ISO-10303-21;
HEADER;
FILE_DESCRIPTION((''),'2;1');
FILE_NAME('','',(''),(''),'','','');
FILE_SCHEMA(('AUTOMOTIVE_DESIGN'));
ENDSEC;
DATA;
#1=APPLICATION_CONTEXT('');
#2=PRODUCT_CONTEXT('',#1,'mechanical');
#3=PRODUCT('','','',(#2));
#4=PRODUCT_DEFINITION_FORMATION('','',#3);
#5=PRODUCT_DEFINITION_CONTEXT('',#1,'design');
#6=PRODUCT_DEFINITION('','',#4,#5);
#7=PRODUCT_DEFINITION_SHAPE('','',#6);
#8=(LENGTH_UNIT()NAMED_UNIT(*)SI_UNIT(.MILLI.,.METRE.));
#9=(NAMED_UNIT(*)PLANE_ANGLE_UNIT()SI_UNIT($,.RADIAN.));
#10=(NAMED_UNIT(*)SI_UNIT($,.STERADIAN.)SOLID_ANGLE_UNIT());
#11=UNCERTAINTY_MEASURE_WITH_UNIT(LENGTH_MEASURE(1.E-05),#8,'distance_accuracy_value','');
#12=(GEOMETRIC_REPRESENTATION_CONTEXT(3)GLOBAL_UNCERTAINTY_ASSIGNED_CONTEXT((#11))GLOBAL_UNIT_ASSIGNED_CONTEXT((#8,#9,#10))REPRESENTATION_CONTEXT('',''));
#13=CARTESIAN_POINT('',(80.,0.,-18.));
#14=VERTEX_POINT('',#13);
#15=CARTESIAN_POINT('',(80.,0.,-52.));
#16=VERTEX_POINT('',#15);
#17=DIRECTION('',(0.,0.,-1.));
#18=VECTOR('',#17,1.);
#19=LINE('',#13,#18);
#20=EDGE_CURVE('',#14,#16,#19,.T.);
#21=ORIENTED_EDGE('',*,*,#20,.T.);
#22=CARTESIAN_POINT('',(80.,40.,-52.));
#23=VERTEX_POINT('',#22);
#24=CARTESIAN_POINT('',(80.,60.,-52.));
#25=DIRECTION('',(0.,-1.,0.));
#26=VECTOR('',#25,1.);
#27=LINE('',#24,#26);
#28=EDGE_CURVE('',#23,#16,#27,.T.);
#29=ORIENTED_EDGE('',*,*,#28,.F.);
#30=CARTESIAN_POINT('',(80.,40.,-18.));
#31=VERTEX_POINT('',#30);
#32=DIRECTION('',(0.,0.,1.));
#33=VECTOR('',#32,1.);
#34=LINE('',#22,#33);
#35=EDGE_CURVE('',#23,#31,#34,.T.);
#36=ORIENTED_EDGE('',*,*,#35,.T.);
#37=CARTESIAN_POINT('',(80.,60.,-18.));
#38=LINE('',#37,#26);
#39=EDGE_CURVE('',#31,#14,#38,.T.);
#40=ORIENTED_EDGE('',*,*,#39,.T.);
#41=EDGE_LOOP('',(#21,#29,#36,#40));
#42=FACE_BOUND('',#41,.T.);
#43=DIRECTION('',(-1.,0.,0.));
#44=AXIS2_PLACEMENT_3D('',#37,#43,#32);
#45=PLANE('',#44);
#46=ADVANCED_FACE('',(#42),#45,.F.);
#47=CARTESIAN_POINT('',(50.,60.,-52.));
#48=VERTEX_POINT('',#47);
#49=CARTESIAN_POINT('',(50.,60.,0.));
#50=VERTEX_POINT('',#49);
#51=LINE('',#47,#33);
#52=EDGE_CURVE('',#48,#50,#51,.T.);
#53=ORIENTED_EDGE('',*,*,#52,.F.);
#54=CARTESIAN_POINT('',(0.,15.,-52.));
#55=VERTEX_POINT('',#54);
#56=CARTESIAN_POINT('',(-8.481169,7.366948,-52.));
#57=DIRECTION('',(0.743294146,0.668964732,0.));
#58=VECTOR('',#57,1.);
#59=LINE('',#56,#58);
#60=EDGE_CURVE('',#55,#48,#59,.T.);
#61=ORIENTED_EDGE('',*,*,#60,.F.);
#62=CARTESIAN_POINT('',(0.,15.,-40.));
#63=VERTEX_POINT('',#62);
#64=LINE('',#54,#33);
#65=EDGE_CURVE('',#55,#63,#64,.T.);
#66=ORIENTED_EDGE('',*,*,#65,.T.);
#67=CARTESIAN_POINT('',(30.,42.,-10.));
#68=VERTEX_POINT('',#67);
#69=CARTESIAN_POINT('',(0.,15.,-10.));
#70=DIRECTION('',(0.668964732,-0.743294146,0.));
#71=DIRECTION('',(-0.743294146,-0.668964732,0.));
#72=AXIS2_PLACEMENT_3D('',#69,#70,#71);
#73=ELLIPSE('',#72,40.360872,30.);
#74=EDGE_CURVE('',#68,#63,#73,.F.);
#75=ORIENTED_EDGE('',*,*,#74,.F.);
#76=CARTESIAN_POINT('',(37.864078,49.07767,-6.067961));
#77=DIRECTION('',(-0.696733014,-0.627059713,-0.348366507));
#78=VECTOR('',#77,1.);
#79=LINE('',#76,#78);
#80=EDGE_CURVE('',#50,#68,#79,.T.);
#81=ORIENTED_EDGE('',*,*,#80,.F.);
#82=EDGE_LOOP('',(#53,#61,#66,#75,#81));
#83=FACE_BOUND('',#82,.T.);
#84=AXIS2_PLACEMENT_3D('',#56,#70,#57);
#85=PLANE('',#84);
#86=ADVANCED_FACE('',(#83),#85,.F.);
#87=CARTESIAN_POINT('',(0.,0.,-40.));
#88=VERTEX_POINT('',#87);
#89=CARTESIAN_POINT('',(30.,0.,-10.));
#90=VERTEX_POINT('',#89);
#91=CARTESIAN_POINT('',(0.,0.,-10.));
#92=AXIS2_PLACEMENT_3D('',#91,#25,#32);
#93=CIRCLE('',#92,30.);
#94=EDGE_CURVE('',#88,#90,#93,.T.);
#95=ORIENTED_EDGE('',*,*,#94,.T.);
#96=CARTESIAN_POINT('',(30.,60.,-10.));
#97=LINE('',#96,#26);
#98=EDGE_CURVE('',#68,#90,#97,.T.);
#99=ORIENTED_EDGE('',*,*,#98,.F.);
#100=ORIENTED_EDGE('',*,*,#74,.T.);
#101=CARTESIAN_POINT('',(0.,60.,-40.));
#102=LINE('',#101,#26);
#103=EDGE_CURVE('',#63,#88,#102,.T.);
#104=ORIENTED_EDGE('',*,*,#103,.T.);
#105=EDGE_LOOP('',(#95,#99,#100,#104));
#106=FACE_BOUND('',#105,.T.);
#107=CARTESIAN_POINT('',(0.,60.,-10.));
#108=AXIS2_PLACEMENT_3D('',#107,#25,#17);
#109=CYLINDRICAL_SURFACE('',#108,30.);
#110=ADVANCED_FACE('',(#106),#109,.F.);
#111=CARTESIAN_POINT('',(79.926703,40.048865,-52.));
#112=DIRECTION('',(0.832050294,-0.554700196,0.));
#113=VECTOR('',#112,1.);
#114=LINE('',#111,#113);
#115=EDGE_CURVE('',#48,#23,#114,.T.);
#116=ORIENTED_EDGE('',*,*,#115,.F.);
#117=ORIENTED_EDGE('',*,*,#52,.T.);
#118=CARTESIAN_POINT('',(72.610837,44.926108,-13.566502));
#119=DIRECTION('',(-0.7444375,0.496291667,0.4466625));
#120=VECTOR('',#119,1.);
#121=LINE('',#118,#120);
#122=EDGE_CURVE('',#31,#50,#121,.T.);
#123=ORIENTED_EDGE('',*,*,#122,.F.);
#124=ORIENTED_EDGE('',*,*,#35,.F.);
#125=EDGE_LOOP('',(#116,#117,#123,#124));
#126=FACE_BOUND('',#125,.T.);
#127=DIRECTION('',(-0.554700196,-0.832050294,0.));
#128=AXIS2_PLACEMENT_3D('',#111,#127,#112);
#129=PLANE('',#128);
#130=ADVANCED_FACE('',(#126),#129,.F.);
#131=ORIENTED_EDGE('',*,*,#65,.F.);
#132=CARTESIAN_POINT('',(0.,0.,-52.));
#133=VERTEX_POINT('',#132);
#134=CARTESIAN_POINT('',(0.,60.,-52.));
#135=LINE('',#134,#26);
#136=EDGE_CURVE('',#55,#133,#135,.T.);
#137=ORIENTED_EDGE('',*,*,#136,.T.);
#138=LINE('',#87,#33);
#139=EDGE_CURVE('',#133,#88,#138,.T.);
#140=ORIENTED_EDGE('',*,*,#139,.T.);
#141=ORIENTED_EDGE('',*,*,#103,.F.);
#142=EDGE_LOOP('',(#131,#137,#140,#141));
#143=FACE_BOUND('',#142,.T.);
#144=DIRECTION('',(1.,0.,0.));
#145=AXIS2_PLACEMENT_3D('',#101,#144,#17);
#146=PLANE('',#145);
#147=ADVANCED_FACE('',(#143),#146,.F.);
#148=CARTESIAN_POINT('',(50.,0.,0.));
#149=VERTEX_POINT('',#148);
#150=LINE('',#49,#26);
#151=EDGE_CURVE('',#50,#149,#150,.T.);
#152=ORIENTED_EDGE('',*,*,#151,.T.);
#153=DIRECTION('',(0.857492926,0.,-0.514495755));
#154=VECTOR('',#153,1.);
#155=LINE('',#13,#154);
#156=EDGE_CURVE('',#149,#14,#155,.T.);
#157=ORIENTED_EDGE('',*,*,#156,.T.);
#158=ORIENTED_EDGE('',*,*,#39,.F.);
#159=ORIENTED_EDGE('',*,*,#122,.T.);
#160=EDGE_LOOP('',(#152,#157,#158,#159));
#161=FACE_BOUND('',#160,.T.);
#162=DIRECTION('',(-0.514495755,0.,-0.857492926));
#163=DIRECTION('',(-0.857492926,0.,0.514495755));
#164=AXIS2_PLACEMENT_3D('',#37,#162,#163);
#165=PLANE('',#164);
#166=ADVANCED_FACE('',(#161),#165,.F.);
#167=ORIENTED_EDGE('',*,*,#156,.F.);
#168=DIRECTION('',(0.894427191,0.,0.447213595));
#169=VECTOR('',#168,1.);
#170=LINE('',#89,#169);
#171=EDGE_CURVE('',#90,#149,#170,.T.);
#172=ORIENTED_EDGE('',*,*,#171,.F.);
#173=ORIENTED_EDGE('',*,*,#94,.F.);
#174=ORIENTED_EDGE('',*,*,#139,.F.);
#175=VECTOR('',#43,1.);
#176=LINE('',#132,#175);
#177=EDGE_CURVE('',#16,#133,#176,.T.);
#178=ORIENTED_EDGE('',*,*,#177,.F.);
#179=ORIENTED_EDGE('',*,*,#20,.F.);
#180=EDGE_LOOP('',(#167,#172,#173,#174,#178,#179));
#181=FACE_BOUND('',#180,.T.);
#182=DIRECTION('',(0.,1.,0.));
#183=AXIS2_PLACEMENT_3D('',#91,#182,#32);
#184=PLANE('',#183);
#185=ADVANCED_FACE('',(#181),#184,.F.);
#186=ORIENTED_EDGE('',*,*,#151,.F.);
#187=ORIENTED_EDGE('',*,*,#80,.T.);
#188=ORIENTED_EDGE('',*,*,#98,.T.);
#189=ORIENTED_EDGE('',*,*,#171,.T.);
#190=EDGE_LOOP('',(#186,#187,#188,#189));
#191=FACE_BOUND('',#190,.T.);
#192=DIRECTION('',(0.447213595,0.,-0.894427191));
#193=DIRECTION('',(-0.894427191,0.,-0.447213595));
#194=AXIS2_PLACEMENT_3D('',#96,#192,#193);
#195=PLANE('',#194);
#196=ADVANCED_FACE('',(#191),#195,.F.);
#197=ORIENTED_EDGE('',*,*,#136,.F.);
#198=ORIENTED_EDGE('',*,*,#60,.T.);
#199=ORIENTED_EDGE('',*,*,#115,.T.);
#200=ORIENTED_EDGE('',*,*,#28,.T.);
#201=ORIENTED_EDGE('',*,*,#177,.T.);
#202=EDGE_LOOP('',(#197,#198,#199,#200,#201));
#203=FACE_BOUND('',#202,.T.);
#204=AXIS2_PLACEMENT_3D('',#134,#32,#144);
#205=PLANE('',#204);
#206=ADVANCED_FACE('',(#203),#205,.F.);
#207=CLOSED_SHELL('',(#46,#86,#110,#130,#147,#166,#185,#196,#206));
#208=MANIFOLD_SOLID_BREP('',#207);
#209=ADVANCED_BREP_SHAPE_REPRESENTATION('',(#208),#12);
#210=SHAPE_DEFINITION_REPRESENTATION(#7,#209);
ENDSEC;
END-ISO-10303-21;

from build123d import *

# Parameters (mm, degrees)
EXTRUDE1_DEPTH     = 60
CUT_EXTRUDE1_DEPTH = 53


with BuildPart() as part:
    # Sketch1 → Extrude1 (new body)
    with BuildSketch(Plane(origin=(0, 0, 0), x_dir=(1, 0, 0), z_dir=(0, 1, 0))):
        with BuildLine():
            Line((0, 40), (0, 52))
            Line((0, 52), (80, 52))
            Line((80, 52), (80, 18))
            Line((80, 18), (50, 0))
            Line((50, 0), (30, 10))
            ThreePointArc((30, 10), (21.213203436, 31.213203436), (0, 40))
        make_face()
    extrude(amount=EXTRUDE1_DEPTH)

    # Sketch2 → Cut-Extrude1 (cut, through all)
    with BuildSketch(Plane.XY):
        Polygon((0, 60), (0, 15), (50, 60), align=None)
        Polygon((80, 40), (80, 60), (50, 60), align=None)
    extrude(amount=-CUT_EXTRUDE1_DEPTH, mode=Mode.SUBTRACT)


solid = part.part
